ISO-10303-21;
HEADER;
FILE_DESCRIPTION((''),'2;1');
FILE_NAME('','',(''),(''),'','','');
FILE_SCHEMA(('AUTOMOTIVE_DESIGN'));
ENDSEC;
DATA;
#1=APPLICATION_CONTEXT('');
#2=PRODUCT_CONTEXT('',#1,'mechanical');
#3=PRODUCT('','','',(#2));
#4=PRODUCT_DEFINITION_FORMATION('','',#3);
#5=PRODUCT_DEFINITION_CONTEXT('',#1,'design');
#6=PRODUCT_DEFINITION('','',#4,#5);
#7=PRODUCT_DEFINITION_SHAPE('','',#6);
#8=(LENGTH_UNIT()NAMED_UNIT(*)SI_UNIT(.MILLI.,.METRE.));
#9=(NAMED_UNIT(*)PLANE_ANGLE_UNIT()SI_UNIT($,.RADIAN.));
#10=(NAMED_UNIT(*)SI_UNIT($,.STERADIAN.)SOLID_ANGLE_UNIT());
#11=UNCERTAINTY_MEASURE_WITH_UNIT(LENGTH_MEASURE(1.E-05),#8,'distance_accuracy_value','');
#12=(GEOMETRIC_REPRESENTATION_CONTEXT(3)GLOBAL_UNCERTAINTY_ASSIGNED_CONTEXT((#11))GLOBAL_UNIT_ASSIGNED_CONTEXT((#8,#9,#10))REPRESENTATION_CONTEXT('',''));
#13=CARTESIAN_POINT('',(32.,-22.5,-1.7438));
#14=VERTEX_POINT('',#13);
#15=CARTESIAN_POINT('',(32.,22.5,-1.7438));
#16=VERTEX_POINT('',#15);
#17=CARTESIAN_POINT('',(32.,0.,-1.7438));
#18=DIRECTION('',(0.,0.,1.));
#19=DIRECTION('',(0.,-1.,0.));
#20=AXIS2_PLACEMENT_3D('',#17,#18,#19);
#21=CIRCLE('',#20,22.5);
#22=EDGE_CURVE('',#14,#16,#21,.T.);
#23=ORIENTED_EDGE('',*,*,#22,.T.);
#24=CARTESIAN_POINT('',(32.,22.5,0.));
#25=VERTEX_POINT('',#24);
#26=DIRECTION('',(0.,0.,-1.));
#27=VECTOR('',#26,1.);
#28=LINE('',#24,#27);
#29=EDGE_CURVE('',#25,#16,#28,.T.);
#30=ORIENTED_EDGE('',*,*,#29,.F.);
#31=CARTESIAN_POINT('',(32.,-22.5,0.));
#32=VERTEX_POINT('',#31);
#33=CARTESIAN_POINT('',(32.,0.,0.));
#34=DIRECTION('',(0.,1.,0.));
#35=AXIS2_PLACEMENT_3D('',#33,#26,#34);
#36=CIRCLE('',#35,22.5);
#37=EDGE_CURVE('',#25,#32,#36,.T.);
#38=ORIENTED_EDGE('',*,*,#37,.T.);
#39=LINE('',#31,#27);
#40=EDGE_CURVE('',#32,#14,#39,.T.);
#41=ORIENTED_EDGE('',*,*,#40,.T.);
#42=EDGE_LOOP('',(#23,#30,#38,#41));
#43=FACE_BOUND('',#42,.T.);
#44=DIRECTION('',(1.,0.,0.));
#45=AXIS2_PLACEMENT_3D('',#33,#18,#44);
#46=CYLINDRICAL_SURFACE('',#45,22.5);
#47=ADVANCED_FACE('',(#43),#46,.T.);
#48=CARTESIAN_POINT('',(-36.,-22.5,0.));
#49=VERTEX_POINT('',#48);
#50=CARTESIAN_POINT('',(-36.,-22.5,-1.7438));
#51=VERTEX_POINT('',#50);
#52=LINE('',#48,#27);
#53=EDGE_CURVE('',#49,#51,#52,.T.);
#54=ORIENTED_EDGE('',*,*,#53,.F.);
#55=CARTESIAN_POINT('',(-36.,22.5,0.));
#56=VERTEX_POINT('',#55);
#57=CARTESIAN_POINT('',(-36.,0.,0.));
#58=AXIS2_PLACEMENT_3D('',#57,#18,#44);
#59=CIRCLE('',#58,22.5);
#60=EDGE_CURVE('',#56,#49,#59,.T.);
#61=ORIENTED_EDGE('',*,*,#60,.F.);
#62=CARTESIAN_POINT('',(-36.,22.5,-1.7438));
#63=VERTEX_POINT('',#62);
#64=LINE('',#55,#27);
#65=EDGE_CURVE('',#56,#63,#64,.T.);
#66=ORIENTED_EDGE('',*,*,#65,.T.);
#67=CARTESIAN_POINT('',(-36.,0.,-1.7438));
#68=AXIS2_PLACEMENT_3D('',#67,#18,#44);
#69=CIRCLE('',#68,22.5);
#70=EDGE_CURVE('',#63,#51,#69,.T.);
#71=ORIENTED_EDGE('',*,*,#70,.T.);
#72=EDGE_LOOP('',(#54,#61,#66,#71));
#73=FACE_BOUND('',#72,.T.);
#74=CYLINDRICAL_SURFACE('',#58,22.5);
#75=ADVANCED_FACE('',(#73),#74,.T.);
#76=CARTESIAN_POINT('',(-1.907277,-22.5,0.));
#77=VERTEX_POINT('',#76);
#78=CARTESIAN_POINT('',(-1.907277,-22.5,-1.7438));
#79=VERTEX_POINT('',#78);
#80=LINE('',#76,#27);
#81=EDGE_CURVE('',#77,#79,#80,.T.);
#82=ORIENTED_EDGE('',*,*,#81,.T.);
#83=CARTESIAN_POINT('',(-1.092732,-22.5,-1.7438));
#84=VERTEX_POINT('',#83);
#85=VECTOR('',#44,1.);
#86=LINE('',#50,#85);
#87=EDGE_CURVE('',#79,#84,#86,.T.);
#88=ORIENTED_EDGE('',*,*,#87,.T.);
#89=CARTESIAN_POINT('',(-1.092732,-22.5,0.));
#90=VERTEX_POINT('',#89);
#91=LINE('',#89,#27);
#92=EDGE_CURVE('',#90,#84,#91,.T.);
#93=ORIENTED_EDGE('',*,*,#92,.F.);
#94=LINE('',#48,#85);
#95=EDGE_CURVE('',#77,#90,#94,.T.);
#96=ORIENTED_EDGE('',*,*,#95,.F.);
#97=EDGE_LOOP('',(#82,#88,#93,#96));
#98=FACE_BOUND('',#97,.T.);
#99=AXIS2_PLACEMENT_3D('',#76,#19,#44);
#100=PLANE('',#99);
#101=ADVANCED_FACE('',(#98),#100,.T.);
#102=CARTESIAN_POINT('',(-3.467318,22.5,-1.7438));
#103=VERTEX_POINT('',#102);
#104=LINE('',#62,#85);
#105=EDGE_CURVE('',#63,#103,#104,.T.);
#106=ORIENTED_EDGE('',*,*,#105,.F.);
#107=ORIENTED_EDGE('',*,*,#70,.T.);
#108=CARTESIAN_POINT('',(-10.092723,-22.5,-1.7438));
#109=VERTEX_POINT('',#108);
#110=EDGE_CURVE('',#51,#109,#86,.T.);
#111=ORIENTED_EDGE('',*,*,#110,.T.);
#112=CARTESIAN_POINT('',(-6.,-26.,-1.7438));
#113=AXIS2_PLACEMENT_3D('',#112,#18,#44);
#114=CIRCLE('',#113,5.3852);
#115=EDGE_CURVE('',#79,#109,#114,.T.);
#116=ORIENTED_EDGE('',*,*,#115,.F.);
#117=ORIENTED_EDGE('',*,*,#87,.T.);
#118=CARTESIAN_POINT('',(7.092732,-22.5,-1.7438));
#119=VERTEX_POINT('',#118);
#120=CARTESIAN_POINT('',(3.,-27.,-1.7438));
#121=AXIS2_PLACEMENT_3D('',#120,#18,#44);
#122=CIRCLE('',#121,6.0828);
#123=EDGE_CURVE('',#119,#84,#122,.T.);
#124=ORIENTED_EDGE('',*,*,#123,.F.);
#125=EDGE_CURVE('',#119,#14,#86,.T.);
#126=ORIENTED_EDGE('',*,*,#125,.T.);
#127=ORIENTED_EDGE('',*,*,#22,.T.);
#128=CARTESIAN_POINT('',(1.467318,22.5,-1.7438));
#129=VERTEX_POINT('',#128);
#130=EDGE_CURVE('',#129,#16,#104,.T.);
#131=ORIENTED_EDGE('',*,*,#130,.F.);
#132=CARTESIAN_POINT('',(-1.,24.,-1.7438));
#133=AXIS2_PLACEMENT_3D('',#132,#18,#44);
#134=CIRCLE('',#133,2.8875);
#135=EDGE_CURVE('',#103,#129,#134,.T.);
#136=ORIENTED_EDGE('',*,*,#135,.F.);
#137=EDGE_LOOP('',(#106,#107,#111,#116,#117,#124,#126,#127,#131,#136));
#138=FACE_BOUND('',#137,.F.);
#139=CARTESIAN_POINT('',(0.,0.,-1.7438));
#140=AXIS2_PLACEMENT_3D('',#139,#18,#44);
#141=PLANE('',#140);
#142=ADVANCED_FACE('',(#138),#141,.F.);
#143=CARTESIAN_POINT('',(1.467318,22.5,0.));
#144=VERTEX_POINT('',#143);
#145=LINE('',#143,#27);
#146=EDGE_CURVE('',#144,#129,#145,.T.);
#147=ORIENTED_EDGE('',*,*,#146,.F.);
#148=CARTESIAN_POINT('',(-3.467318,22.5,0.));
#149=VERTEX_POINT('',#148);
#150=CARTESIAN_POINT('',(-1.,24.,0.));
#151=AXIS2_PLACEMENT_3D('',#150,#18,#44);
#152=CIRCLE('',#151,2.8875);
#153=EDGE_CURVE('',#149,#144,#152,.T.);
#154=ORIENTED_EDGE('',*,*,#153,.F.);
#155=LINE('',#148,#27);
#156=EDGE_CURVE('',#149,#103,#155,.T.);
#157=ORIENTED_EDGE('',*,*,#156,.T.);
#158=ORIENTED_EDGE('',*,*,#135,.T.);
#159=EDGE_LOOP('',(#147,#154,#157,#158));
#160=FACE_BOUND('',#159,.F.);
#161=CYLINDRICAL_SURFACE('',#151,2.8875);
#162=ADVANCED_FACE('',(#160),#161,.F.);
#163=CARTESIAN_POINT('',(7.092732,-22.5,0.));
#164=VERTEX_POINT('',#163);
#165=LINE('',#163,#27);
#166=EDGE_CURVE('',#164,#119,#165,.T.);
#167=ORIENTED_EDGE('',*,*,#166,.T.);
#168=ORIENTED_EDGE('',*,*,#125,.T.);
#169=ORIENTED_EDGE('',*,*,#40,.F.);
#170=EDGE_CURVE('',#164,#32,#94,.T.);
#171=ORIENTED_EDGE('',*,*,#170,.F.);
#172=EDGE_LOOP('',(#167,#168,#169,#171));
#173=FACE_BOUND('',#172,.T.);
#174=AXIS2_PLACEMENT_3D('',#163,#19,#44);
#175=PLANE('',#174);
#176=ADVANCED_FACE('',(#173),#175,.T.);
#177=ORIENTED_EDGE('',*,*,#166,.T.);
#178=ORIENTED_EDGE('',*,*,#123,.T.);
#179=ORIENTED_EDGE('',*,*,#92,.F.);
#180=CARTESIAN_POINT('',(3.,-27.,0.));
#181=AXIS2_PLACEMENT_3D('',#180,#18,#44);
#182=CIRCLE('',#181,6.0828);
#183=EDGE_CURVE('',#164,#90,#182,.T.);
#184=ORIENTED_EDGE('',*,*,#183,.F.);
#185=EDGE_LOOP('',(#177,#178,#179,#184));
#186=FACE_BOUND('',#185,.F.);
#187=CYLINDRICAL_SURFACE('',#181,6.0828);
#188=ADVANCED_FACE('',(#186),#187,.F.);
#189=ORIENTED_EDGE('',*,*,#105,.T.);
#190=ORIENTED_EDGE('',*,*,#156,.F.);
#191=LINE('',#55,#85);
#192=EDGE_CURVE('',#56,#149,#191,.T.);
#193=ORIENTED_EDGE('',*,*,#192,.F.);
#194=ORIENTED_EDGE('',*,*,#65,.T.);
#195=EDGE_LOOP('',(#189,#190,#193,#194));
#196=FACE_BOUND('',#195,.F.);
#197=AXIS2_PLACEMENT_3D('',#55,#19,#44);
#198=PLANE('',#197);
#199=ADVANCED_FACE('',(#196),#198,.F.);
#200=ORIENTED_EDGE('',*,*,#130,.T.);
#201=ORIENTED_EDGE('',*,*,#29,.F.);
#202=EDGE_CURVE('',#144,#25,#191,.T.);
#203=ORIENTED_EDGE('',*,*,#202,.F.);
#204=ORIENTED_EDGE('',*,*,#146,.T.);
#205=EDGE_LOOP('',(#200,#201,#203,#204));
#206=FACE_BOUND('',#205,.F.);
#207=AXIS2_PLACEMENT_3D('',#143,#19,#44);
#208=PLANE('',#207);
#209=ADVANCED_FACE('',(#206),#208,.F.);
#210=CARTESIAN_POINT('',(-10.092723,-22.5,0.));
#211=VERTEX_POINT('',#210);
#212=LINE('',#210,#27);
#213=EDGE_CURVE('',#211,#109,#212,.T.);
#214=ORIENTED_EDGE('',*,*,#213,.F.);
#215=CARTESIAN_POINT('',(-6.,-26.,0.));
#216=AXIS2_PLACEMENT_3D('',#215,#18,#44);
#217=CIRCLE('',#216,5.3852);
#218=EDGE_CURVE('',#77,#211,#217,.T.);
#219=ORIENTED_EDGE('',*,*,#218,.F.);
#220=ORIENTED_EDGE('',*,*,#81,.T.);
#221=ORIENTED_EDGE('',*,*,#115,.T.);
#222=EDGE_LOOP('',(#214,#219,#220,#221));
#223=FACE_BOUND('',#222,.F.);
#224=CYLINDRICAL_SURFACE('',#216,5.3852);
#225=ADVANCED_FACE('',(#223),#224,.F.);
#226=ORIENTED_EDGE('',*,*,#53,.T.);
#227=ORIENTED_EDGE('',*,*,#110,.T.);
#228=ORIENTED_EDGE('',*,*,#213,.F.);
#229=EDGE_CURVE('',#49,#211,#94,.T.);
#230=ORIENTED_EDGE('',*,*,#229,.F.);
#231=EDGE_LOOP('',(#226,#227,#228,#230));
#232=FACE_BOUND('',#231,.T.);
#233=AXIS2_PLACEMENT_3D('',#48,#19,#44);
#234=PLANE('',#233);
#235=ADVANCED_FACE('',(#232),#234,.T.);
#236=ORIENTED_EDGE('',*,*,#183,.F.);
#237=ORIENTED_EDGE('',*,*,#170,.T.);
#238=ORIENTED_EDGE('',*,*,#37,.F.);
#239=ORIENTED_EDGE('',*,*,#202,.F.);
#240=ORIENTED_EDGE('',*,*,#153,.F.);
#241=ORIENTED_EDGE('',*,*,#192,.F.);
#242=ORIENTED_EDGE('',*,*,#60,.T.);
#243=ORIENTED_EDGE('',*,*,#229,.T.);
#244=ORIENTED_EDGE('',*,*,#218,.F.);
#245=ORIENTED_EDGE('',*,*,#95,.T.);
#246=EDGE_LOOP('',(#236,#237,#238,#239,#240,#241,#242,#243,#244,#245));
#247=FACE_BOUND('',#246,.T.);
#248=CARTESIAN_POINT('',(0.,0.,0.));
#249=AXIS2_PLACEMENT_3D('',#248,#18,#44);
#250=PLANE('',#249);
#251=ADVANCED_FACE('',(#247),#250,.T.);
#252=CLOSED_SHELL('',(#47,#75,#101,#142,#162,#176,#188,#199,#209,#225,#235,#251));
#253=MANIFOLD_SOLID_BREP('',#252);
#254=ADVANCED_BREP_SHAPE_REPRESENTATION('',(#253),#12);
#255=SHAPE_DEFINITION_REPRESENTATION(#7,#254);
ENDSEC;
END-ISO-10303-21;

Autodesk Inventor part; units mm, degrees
ref_plane "YZ Plane" through (0, 0, 0) normal (1, 0, 0) x (0, 1, 0)
ref_plane "XZ Plane" through (0, 0, 0) normal (0, 1, 0) x (-1, 0, 0)
sketch "Skizze1" plane through (0, 0, 0) normal (0, 0, 1) x (1, 0, 0)
  circle A0 centre (32, 0) radius 22.5
  circle A1 centre (-36, 0) radius 22.5
  line L0 (-36, -22.5) -> (32, -22.5)
  line L1 (-36, 22.5) -> (32, 22.5)
  circle A2 centre (-6, -26) radius 5.3852
  circle A3 centre (3, -27) radius 6.0828
  circle A4 centre (-1, 24) radius 2.8875
  point P0 (0, 0)
  point P1 (-10.0927, -22.5)
  point P2 (-1.9073, -22.5)
  point P3 (-1.0927, -22.5)
  point P4 (7.0927, -22.5)
  point P5 (1.4674, 22.5)
  point P6 (-3.4674, 22.5)
  dimension "d1" = 45
  dimension "d2" = 45
  dimension "d3" = 68
  dimension "d4" = 0
ref_plane "Arbeitsebene1" through (-62.5751, -29.26, -1.7438) normal (0, 0, -1) x (0, 1, 0)
extrude "Extrusion1" add sketch "Skizze1" against normal up to surface (1.7438 mm away) contours A0 | A0 L0 A3 A2 A1 L1 A4 | A1
equation "\"d2\" = d1"
